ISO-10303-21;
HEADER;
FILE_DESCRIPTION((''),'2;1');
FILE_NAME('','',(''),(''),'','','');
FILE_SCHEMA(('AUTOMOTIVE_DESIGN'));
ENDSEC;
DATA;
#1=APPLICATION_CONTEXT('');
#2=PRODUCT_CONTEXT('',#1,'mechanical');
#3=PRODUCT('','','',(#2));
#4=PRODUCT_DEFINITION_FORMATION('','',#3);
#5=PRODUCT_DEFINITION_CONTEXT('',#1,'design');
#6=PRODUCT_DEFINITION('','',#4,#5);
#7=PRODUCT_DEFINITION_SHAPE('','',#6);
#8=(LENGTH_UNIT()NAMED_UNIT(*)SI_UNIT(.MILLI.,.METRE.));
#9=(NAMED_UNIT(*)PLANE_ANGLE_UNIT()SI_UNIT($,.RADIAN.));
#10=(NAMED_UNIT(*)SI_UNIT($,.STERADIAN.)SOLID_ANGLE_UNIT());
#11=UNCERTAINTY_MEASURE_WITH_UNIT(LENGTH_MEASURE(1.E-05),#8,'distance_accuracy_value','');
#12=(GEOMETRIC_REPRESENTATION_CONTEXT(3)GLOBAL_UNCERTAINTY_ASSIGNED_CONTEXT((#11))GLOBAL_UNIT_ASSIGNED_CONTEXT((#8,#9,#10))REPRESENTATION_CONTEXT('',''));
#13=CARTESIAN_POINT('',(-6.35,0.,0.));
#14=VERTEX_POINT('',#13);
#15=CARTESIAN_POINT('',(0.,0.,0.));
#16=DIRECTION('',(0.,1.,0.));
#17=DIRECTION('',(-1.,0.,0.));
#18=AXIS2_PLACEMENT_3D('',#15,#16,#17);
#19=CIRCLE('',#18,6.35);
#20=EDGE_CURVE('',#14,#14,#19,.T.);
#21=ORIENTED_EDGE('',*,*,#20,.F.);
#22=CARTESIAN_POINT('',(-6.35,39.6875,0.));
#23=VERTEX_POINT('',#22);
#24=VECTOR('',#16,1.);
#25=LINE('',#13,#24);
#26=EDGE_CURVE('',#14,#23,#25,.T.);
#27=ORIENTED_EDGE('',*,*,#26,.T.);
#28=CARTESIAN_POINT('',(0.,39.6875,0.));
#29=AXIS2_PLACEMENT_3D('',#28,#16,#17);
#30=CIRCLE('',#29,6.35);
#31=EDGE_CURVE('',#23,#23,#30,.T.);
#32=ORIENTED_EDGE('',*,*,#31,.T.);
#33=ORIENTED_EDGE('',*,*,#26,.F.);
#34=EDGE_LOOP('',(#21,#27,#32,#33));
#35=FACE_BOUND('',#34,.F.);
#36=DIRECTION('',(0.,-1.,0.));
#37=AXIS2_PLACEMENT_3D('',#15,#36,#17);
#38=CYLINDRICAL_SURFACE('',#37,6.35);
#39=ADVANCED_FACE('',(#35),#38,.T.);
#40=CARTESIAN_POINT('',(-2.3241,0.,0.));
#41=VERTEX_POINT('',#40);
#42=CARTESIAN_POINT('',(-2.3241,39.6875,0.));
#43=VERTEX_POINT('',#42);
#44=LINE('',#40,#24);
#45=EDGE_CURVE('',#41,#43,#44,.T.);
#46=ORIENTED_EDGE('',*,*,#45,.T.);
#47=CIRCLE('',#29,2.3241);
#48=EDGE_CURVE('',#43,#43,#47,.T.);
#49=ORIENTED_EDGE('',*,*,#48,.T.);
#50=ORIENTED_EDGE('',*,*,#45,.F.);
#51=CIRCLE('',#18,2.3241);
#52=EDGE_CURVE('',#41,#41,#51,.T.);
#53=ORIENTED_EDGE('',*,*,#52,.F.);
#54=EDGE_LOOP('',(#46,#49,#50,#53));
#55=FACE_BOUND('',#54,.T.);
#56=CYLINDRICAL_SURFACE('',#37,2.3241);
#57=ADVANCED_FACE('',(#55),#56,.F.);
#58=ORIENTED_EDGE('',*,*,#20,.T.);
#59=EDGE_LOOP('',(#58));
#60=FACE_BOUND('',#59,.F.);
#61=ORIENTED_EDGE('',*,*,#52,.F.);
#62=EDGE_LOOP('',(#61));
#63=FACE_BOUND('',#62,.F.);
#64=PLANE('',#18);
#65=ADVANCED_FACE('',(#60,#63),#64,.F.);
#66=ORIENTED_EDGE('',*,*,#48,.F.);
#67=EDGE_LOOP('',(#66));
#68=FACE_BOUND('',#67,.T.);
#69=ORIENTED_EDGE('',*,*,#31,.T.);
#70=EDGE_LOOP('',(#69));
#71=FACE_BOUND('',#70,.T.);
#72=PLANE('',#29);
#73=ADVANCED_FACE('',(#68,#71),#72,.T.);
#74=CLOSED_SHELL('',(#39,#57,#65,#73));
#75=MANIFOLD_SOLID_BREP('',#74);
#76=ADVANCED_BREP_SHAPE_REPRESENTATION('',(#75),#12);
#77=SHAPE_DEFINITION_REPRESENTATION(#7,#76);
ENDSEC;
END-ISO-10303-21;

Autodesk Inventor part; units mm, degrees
ref_plane "YZ Plane" through (0, 0, 0) normal (1, 0, 0) x (0, 1, 0)
ref_plane "XZ Plane" through (0, 0, 0) normal (0, 1, 0) x (-1, 0, 0)
ref_plane "XY Plane" through (0, 0, 0) normal (0, 0, 1) x (1, 0, 0)
sketch "Sketch1" plane through (0, 0, 0) normal (0, 1, 0) x (-1, 0, 0)
  circle A0 centre (0, 0) radius 6.35
  circle A1 centre (0, 0) radius 2.3241
  dimension "d0" = 12.7
  dimension "d1" = 4.6482
extrude "Extrusion1" add sketch "Sketch1" along normal blind 39.6875
properties part number "Hang spacer"
